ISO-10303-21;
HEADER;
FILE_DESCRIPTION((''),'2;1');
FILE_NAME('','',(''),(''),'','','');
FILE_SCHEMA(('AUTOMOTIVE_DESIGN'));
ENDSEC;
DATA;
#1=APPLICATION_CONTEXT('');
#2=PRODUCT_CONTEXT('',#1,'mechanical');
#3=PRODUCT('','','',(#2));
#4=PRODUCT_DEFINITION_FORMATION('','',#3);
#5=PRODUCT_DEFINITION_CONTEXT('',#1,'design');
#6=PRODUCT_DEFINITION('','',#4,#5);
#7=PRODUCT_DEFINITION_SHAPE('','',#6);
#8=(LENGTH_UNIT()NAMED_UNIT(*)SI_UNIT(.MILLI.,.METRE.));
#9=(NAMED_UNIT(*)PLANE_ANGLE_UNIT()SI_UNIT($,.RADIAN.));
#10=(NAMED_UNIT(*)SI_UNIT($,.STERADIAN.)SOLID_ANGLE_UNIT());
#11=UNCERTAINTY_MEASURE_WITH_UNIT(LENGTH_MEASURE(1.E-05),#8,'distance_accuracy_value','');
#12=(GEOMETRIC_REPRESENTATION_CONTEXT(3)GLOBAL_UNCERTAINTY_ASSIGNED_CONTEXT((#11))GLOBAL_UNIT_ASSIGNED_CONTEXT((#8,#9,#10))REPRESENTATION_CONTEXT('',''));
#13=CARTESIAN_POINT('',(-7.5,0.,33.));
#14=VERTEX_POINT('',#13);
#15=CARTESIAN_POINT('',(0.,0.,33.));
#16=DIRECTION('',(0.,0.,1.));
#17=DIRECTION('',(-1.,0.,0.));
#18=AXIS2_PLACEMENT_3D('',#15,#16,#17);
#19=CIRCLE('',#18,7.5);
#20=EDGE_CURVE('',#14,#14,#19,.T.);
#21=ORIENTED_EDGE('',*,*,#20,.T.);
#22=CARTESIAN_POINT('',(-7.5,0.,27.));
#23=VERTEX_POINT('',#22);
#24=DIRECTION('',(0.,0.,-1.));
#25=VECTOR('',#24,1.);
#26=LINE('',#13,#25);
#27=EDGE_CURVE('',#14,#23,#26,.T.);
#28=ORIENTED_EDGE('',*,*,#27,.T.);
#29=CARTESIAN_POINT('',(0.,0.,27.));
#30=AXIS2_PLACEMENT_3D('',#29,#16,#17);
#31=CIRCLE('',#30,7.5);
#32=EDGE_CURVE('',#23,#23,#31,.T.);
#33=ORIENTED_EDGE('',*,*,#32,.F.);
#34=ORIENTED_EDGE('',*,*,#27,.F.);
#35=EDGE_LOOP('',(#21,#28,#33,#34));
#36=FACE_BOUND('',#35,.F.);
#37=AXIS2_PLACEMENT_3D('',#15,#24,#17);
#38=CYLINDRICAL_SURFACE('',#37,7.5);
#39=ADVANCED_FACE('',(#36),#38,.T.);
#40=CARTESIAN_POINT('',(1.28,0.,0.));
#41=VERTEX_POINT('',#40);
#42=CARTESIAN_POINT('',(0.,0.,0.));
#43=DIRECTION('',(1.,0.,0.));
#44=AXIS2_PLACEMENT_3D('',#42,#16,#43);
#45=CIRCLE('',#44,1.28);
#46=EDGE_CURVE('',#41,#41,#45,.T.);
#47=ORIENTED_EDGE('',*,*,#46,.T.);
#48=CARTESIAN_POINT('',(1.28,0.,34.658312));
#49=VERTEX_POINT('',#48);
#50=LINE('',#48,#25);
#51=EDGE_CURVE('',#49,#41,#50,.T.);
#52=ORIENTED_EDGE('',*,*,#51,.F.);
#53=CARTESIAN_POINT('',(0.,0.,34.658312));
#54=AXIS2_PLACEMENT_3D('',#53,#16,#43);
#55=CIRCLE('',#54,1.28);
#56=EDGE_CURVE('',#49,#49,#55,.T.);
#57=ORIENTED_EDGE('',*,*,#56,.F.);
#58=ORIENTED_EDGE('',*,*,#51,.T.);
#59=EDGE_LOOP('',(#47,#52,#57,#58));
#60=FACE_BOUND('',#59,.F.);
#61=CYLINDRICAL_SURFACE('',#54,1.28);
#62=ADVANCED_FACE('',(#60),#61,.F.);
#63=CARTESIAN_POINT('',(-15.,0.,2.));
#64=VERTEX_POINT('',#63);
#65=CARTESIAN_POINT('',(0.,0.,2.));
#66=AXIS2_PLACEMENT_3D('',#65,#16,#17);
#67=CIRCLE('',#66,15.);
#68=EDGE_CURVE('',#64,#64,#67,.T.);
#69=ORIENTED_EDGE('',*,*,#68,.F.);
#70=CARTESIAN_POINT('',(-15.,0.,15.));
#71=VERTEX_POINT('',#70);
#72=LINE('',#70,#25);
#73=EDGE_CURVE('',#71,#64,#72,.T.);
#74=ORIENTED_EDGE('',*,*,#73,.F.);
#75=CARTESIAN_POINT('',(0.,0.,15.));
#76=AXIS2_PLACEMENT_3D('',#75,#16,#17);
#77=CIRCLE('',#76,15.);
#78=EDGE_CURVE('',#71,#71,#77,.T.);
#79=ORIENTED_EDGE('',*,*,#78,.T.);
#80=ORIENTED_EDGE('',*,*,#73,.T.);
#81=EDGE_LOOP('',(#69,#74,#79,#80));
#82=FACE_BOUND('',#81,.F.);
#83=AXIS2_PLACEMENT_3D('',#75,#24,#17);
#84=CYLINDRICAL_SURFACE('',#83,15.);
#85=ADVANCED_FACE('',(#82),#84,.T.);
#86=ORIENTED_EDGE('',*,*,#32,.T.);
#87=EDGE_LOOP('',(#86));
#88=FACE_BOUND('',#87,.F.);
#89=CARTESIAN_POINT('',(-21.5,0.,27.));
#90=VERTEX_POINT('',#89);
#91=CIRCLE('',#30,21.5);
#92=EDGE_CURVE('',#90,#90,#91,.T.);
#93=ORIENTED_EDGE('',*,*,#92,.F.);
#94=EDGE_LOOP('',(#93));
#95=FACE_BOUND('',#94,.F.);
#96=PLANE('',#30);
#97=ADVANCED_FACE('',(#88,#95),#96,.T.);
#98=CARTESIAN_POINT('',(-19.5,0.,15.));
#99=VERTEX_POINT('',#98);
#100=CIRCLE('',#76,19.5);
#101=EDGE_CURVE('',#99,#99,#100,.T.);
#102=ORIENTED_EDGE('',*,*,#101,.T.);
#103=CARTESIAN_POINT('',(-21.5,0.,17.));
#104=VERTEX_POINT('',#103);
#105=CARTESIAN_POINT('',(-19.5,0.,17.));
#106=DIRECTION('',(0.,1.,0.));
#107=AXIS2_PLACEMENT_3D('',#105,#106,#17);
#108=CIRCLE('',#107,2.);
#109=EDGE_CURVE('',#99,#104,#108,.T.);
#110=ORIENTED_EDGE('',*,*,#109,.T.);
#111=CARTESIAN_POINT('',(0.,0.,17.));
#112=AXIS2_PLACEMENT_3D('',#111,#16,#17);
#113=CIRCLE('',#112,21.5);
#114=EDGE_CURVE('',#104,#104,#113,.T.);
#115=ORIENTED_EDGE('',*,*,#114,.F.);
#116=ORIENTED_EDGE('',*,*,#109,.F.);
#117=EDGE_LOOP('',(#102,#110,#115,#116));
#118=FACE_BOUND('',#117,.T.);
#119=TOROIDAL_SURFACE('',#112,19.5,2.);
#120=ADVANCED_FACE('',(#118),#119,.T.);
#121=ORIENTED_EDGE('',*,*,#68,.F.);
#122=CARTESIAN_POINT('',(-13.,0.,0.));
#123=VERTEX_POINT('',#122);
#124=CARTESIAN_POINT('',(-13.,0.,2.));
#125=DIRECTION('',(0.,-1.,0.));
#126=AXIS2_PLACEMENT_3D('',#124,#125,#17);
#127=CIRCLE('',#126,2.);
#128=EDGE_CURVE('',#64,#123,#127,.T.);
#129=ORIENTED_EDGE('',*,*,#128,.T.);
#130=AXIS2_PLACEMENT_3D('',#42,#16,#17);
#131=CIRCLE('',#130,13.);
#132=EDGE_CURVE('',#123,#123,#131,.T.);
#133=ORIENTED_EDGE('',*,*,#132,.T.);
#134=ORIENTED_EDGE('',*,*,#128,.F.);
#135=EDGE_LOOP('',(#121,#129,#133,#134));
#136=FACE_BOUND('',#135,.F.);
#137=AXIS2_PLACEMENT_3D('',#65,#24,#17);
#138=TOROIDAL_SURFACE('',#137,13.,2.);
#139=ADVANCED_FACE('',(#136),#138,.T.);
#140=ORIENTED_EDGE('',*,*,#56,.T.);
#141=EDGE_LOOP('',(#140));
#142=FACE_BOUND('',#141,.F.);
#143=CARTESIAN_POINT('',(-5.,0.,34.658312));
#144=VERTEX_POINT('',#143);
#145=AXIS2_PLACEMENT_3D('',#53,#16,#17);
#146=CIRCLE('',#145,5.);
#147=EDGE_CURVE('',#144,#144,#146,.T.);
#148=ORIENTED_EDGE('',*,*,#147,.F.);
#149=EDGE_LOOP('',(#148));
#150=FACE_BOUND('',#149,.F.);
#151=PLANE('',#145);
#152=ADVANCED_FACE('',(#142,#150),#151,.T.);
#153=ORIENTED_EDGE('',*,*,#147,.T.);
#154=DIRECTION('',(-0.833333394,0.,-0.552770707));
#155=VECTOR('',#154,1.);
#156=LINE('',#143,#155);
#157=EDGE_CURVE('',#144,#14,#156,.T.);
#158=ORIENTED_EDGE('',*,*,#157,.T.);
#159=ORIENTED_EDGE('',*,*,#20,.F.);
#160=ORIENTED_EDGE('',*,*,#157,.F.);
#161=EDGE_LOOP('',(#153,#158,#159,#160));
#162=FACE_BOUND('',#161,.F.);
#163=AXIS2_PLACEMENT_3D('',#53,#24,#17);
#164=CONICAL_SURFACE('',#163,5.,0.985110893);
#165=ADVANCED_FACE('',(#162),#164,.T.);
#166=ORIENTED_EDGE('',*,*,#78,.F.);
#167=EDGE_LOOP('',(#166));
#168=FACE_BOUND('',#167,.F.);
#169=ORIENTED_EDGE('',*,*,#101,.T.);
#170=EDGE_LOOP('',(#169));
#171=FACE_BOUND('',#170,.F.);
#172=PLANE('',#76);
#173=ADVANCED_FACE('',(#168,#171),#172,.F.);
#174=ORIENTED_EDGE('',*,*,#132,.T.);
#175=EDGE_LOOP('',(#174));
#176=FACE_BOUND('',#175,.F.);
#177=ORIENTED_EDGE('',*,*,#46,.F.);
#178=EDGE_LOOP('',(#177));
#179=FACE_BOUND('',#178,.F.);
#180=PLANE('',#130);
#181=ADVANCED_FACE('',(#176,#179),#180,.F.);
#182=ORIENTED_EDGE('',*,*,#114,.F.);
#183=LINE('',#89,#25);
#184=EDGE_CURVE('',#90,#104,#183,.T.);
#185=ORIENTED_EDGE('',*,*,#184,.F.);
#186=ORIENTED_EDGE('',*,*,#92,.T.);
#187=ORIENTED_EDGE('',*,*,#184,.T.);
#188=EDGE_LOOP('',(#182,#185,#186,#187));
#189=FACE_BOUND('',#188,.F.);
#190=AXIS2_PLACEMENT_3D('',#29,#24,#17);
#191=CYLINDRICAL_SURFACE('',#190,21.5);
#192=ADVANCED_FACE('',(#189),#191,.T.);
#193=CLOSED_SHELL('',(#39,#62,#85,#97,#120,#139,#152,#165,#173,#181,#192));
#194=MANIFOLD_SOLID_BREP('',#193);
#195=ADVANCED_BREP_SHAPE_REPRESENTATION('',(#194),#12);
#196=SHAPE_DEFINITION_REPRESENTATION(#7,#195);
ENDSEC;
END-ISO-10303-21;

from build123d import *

# Parameters (mm, degrees)
F2_R     = 1.28
F3_DEPTH = 34.659312
F4_R     = 2
F5_R     = 2


with BuildPart() as f1:
    # F0 (on Front) → F1 (revolve)
    with BuildSketch(Plane.XZ):
        Polygon((-15, 0), (0, 0), (0, 34.658312), (-5, 34.658312), (-7.5, 33), (-7.5, 27), (-21.5, 27), (-21.5, 15), (-15, 15), align=None)
    revolve(axis=Axis((0, 0, 25.863634), (0, 0, 1)))

    # F2 (on face) → F3 (cut, through all)
    with BuildSketch(Plane.XY.offset(34.658312)):
        Circle(F2_R)
    extrude(amount=-F3_DEPTH, mode=Mode.SUBTRACT)

    # F4
    f4_edges = [f1.edges().sort_by_distance(p)[0] for p in [
        (21.5, 0, 15),
    ]]
    fillet(f4_edges, radius=F4_R)

    # F5
    f5_edges = [f1.edges().sort_by_distance(p)[0] for p in [
        (15, 0, 0),
    ]]
    fillet(f5_edges, radius=F5_R)


solid = f1.part
